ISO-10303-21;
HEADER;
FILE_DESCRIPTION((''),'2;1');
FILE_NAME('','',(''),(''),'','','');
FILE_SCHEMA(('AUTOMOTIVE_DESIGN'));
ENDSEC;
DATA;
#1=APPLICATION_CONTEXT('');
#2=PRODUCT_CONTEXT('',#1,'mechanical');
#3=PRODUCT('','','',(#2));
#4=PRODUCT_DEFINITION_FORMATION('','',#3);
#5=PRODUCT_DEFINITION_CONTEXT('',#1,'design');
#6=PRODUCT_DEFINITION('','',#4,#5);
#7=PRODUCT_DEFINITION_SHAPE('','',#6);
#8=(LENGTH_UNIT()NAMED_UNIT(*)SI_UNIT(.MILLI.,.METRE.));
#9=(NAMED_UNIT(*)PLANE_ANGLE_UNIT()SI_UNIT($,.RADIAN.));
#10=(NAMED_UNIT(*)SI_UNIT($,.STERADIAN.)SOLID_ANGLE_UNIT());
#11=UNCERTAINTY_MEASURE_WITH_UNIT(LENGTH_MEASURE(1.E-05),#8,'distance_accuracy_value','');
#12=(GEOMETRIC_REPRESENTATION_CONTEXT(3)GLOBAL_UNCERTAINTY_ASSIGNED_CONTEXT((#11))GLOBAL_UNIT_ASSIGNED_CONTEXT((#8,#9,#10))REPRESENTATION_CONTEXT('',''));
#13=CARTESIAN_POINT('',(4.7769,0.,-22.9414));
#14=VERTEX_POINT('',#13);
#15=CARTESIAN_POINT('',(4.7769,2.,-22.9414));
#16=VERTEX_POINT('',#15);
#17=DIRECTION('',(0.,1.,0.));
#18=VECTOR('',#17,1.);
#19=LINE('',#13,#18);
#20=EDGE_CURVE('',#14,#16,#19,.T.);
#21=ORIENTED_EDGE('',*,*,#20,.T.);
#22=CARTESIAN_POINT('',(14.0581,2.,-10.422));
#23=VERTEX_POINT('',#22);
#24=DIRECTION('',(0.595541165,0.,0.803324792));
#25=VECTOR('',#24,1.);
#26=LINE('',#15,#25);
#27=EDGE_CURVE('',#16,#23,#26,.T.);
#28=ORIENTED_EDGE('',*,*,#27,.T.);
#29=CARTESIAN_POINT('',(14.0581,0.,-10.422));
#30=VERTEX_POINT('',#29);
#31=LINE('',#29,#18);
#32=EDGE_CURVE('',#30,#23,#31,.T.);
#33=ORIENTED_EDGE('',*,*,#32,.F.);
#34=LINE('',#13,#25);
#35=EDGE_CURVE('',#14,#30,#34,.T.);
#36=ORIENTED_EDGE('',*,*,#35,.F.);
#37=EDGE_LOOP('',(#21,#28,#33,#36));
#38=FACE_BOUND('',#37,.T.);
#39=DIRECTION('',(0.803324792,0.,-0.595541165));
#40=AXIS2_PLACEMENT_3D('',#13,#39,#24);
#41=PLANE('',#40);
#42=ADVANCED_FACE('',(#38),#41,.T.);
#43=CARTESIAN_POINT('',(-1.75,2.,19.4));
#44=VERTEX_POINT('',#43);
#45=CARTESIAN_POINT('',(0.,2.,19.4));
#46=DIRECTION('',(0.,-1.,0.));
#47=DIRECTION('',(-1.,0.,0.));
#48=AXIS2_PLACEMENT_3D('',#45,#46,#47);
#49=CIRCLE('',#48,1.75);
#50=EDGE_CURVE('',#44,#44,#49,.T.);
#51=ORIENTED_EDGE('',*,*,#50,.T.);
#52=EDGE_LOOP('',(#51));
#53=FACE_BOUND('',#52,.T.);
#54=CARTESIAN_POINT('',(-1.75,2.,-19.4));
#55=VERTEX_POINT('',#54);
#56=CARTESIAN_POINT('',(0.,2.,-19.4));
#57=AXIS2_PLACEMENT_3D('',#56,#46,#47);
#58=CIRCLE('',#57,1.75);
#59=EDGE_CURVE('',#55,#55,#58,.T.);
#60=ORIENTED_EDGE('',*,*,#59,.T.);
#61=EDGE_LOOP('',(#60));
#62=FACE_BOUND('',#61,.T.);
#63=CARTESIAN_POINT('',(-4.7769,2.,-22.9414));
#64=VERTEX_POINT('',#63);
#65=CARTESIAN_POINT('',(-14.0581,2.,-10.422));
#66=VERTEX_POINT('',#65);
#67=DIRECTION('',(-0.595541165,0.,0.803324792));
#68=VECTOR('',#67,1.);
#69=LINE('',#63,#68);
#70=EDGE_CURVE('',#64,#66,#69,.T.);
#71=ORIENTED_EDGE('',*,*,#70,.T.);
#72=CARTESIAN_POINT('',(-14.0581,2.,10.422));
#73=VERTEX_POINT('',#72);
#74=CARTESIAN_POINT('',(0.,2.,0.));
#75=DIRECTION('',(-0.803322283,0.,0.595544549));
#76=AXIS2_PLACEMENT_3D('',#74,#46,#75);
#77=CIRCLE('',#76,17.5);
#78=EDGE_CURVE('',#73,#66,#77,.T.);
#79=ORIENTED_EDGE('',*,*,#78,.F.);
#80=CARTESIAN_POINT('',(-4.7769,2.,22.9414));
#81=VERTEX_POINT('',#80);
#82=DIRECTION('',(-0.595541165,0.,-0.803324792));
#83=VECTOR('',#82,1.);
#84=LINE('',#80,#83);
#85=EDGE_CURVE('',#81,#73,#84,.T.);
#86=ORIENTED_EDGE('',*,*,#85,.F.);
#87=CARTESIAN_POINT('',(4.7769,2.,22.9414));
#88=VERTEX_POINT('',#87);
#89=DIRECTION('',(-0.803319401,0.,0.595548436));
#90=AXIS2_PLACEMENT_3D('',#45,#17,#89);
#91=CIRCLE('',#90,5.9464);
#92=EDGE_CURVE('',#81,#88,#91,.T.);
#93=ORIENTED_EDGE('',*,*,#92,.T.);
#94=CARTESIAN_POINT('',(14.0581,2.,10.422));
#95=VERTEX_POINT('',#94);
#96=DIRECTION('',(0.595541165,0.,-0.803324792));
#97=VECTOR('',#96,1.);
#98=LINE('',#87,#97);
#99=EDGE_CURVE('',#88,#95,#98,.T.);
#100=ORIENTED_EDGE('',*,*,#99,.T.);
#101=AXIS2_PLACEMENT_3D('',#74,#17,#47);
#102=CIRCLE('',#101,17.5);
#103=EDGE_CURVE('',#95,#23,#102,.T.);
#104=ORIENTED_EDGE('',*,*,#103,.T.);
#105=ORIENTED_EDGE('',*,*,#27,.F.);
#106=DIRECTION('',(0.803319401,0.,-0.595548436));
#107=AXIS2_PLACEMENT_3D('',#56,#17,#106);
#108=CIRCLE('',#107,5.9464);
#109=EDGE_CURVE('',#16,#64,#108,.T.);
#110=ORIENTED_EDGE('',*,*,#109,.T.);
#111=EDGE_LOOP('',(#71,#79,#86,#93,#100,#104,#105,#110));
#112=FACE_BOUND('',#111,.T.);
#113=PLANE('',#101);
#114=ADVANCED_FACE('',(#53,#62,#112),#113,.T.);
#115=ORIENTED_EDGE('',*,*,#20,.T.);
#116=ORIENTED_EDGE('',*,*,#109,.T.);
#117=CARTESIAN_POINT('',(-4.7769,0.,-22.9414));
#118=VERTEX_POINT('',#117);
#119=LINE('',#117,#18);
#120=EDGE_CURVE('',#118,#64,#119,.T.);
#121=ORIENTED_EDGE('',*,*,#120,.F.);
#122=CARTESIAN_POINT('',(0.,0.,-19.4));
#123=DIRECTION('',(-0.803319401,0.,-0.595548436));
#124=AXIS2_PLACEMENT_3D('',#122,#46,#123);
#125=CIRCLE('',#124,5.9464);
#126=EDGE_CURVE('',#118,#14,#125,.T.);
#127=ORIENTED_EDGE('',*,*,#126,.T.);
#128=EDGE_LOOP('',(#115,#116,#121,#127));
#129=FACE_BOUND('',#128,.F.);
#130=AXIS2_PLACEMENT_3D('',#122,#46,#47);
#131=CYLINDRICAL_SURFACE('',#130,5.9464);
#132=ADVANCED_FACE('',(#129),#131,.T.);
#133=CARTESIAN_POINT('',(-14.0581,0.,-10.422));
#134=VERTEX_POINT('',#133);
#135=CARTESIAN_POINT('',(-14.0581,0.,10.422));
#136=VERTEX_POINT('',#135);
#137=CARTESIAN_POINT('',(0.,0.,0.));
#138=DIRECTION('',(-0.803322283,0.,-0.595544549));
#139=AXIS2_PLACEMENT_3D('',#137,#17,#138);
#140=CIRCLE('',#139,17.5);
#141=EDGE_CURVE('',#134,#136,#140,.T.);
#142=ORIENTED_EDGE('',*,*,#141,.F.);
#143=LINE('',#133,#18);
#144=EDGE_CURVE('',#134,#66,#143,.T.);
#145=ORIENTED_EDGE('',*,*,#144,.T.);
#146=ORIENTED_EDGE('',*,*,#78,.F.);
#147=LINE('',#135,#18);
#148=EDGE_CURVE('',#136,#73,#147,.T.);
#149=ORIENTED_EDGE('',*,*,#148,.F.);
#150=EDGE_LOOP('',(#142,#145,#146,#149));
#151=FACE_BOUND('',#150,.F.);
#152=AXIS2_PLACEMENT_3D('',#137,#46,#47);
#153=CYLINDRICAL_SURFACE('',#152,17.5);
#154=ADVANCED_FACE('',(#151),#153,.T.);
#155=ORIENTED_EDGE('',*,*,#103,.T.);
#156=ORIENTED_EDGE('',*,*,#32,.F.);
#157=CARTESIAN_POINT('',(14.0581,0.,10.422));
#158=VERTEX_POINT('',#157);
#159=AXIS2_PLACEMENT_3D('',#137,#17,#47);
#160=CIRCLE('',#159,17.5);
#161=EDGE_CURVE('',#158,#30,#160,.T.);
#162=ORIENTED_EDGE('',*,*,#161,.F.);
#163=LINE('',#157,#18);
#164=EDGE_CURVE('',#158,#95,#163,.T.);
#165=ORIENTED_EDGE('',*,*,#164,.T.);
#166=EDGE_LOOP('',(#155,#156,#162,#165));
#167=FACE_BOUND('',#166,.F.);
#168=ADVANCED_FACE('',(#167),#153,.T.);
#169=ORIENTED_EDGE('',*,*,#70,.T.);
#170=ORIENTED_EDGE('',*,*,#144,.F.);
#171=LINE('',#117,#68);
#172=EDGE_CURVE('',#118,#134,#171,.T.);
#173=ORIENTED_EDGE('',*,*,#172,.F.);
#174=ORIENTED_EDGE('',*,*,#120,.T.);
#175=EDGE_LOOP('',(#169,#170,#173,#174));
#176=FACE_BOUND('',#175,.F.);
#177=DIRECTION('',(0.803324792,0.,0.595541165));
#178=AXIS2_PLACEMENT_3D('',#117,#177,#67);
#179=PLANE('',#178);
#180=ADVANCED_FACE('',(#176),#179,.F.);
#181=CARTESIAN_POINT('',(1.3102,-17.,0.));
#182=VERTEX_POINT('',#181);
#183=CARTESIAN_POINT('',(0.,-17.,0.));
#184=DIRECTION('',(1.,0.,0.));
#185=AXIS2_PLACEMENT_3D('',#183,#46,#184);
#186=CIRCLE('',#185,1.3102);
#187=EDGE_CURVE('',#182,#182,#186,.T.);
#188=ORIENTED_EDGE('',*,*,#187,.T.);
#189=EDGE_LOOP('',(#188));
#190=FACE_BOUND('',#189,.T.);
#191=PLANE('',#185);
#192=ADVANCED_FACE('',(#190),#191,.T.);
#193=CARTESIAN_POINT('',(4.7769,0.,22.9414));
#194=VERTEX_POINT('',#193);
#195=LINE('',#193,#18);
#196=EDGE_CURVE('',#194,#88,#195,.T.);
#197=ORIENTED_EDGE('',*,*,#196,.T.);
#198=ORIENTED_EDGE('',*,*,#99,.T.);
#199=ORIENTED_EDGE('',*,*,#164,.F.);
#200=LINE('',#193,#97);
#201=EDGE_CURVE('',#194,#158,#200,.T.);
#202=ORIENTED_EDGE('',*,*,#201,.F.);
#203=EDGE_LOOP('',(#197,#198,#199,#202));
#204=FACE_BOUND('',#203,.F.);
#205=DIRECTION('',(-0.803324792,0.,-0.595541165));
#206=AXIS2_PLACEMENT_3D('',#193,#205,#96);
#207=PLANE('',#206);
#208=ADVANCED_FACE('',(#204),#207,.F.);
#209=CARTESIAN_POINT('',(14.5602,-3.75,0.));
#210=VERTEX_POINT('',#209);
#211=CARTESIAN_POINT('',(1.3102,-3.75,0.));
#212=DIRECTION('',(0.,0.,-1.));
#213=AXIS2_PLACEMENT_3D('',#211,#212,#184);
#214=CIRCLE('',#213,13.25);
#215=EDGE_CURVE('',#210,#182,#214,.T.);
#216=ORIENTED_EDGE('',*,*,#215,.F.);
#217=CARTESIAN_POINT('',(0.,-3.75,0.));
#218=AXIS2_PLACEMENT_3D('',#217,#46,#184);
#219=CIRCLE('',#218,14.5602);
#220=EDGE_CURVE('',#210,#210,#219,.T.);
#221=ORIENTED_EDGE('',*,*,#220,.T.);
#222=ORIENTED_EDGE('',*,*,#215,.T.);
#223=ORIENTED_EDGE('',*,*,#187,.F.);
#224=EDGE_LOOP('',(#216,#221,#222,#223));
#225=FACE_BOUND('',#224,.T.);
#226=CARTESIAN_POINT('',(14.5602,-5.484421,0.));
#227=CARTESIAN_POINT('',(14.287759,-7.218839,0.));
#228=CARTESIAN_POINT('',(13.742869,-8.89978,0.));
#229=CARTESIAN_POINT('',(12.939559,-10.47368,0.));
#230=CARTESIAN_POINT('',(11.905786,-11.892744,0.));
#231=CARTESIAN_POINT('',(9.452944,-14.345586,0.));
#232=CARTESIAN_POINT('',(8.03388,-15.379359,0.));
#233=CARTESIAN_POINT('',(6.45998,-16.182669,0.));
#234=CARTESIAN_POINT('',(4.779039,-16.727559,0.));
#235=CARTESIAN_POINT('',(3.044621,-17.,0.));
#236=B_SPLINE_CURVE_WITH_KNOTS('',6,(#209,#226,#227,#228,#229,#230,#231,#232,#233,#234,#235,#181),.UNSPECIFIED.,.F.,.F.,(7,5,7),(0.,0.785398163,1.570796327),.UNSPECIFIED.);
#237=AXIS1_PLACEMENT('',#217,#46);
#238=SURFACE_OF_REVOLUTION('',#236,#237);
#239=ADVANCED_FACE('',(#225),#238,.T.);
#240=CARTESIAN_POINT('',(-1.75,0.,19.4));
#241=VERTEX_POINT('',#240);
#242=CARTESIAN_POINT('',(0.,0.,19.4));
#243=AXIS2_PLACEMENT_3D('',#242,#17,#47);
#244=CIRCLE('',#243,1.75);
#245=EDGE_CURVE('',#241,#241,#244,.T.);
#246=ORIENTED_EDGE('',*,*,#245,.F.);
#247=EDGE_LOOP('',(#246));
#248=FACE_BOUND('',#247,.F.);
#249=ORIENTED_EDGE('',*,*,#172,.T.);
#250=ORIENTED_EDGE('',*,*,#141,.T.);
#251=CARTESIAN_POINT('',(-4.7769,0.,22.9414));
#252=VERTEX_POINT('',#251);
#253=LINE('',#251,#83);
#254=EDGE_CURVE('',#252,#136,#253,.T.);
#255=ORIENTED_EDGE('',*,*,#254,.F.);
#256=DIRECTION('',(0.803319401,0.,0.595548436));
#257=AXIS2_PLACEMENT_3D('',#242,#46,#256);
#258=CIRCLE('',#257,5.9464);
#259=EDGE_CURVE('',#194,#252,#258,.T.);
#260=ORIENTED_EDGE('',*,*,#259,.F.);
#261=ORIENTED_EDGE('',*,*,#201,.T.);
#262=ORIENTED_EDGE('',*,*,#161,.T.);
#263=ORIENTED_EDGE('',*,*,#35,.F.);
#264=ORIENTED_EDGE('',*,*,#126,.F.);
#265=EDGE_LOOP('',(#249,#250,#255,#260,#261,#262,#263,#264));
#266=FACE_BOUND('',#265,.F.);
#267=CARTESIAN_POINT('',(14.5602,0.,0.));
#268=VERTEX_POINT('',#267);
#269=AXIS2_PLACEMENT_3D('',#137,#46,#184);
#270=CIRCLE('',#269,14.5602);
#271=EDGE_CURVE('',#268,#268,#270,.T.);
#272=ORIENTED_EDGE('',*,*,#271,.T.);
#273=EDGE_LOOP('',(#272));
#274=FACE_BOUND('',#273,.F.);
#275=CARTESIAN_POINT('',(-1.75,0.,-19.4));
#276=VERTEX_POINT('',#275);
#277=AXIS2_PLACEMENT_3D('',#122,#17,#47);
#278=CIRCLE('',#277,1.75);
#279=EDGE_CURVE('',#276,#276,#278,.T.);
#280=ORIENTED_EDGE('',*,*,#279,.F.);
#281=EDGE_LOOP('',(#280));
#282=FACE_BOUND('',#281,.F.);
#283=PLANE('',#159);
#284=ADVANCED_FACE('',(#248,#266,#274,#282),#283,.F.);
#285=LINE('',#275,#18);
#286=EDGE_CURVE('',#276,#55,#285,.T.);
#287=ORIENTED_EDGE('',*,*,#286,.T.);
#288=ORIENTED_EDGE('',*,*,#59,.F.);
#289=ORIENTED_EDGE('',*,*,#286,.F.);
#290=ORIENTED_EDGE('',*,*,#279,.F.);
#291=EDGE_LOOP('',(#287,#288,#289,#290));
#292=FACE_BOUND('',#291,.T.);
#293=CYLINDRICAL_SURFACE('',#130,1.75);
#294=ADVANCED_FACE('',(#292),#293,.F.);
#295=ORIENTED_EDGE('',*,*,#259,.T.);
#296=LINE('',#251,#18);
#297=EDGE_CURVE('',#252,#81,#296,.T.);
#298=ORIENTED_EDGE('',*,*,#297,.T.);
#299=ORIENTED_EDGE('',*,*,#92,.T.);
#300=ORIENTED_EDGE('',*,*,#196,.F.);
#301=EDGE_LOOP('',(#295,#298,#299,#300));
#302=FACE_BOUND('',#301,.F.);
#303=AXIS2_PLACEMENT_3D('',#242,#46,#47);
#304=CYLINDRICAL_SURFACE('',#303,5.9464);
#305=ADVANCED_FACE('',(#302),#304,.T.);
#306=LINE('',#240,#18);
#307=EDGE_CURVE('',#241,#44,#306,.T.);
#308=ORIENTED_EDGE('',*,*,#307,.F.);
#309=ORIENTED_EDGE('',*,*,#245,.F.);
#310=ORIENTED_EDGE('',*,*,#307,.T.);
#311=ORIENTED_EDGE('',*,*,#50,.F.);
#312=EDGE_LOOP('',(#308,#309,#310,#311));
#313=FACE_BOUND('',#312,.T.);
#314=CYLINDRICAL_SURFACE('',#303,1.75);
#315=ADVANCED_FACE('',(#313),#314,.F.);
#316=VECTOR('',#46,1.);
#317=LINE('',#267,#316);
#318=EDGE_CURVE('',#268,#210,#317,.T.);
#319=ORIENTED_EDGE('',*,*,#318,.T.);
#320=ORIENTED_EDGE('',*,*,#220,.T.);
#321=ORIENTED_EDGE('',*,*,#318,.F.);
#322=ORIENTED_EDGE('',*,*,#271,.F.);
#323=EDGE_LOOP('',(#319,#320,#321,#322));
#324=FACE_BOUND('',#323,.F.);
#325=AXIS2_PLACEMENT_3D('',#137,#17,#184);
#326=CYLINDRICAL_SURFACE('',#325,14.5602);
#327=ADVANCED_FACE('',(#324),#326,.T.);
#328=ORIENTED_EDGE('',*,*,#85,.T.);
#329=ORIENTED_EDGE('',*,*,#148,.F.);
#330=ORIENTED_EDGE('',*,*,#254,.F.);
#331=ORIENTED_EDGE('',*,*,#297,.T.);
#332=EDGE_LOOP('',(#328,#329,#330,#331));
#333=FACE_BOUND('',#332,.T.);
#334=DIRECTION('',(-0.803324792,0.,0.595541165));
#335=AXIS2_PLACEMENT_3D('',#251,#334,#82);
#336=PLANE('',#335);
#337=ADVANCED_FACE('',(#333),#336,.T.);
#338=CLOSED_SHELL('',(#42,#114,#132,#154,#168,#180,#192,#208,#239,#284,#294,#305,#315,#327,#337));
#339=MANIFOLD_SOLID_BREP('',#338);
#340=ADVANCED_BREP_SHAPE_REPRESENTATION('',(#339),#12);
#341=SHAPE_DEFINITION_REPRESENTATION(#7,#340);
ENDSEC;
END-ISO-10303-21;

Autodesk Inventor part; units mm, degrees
ref_plane "YZ Plane" through (0, 0, 0) normal (1, 0, 0) x (0, 1, 0)
ref_plane "XZ Plane" through (0, 0, 0) normal (0, 1, 0) x (-1, 0, 0)
ref_plane "XY Plane" through (0, 0, 0) normal (0, 0, 1) x (1, 0, 0)
sketch "Esquisse1" plane through (0, 0, 0) normal (0, 1, 0) x (-1, 0, 0)
  circle A0 centre (0, 0) radius 17.5
  circle A1 centre (0, 19.4) radius 1.75
  line L0 (13, 0) -> (-12, 0)
  circle A2 centre (0, -19.4) radius 1.75
  circle A3 centre (0, 19.4) radius 5.9464
  line L1 (4.7769, 22.9414) -> (14.0581, 10.422)
  line L2 (0, 31) -> (0, -30)
  line L3 (-4.7769, 22.9414) -> (-14.0581, 10.422)
  circle A4 centre (0, -19.4) radius 5.9464
  line L4 (4.7769, -22.9414) -> (14.0581, -10.422)
  line L5 (-4.7769, -22.9414) -> (-14.0581, -10.422)
  dimension "d1" = 35
  dimension "d3" = 11.8928
  dimension "d0" = 3.5
  dimension "d2" = 19.4
extrude "Extrusion1" add sketch "Esquisse1" along normal blind 2 contours A0 A4 L2 A3 | A0 A3 L1 | L4 A4 A0 | A3 L2 A0 | A0 L2 A1 A3 | A4 L2 A2 A0 | A0 L2 A4 | L2 A3 A0 | A0 A3 L2 A1 | L2 A4 A0 A3 | L2 A2 A4 A0 | A0 A4 L2 | A0 L3 A3 | A4 L5 A0
sketch "Esquisse2" plane through (0, 0, 0) normal (0, -1, 0) x (1, 0, 0)
  circle A0 centre (0, 0) radius 14.5602
extrude "Extrusion2" add sketch "Esquisse2" along normal blind 17
fillet "Congé1" radius 13.25 1 edges at (-14.5602, -17, 0)
properties part number "roulette"
